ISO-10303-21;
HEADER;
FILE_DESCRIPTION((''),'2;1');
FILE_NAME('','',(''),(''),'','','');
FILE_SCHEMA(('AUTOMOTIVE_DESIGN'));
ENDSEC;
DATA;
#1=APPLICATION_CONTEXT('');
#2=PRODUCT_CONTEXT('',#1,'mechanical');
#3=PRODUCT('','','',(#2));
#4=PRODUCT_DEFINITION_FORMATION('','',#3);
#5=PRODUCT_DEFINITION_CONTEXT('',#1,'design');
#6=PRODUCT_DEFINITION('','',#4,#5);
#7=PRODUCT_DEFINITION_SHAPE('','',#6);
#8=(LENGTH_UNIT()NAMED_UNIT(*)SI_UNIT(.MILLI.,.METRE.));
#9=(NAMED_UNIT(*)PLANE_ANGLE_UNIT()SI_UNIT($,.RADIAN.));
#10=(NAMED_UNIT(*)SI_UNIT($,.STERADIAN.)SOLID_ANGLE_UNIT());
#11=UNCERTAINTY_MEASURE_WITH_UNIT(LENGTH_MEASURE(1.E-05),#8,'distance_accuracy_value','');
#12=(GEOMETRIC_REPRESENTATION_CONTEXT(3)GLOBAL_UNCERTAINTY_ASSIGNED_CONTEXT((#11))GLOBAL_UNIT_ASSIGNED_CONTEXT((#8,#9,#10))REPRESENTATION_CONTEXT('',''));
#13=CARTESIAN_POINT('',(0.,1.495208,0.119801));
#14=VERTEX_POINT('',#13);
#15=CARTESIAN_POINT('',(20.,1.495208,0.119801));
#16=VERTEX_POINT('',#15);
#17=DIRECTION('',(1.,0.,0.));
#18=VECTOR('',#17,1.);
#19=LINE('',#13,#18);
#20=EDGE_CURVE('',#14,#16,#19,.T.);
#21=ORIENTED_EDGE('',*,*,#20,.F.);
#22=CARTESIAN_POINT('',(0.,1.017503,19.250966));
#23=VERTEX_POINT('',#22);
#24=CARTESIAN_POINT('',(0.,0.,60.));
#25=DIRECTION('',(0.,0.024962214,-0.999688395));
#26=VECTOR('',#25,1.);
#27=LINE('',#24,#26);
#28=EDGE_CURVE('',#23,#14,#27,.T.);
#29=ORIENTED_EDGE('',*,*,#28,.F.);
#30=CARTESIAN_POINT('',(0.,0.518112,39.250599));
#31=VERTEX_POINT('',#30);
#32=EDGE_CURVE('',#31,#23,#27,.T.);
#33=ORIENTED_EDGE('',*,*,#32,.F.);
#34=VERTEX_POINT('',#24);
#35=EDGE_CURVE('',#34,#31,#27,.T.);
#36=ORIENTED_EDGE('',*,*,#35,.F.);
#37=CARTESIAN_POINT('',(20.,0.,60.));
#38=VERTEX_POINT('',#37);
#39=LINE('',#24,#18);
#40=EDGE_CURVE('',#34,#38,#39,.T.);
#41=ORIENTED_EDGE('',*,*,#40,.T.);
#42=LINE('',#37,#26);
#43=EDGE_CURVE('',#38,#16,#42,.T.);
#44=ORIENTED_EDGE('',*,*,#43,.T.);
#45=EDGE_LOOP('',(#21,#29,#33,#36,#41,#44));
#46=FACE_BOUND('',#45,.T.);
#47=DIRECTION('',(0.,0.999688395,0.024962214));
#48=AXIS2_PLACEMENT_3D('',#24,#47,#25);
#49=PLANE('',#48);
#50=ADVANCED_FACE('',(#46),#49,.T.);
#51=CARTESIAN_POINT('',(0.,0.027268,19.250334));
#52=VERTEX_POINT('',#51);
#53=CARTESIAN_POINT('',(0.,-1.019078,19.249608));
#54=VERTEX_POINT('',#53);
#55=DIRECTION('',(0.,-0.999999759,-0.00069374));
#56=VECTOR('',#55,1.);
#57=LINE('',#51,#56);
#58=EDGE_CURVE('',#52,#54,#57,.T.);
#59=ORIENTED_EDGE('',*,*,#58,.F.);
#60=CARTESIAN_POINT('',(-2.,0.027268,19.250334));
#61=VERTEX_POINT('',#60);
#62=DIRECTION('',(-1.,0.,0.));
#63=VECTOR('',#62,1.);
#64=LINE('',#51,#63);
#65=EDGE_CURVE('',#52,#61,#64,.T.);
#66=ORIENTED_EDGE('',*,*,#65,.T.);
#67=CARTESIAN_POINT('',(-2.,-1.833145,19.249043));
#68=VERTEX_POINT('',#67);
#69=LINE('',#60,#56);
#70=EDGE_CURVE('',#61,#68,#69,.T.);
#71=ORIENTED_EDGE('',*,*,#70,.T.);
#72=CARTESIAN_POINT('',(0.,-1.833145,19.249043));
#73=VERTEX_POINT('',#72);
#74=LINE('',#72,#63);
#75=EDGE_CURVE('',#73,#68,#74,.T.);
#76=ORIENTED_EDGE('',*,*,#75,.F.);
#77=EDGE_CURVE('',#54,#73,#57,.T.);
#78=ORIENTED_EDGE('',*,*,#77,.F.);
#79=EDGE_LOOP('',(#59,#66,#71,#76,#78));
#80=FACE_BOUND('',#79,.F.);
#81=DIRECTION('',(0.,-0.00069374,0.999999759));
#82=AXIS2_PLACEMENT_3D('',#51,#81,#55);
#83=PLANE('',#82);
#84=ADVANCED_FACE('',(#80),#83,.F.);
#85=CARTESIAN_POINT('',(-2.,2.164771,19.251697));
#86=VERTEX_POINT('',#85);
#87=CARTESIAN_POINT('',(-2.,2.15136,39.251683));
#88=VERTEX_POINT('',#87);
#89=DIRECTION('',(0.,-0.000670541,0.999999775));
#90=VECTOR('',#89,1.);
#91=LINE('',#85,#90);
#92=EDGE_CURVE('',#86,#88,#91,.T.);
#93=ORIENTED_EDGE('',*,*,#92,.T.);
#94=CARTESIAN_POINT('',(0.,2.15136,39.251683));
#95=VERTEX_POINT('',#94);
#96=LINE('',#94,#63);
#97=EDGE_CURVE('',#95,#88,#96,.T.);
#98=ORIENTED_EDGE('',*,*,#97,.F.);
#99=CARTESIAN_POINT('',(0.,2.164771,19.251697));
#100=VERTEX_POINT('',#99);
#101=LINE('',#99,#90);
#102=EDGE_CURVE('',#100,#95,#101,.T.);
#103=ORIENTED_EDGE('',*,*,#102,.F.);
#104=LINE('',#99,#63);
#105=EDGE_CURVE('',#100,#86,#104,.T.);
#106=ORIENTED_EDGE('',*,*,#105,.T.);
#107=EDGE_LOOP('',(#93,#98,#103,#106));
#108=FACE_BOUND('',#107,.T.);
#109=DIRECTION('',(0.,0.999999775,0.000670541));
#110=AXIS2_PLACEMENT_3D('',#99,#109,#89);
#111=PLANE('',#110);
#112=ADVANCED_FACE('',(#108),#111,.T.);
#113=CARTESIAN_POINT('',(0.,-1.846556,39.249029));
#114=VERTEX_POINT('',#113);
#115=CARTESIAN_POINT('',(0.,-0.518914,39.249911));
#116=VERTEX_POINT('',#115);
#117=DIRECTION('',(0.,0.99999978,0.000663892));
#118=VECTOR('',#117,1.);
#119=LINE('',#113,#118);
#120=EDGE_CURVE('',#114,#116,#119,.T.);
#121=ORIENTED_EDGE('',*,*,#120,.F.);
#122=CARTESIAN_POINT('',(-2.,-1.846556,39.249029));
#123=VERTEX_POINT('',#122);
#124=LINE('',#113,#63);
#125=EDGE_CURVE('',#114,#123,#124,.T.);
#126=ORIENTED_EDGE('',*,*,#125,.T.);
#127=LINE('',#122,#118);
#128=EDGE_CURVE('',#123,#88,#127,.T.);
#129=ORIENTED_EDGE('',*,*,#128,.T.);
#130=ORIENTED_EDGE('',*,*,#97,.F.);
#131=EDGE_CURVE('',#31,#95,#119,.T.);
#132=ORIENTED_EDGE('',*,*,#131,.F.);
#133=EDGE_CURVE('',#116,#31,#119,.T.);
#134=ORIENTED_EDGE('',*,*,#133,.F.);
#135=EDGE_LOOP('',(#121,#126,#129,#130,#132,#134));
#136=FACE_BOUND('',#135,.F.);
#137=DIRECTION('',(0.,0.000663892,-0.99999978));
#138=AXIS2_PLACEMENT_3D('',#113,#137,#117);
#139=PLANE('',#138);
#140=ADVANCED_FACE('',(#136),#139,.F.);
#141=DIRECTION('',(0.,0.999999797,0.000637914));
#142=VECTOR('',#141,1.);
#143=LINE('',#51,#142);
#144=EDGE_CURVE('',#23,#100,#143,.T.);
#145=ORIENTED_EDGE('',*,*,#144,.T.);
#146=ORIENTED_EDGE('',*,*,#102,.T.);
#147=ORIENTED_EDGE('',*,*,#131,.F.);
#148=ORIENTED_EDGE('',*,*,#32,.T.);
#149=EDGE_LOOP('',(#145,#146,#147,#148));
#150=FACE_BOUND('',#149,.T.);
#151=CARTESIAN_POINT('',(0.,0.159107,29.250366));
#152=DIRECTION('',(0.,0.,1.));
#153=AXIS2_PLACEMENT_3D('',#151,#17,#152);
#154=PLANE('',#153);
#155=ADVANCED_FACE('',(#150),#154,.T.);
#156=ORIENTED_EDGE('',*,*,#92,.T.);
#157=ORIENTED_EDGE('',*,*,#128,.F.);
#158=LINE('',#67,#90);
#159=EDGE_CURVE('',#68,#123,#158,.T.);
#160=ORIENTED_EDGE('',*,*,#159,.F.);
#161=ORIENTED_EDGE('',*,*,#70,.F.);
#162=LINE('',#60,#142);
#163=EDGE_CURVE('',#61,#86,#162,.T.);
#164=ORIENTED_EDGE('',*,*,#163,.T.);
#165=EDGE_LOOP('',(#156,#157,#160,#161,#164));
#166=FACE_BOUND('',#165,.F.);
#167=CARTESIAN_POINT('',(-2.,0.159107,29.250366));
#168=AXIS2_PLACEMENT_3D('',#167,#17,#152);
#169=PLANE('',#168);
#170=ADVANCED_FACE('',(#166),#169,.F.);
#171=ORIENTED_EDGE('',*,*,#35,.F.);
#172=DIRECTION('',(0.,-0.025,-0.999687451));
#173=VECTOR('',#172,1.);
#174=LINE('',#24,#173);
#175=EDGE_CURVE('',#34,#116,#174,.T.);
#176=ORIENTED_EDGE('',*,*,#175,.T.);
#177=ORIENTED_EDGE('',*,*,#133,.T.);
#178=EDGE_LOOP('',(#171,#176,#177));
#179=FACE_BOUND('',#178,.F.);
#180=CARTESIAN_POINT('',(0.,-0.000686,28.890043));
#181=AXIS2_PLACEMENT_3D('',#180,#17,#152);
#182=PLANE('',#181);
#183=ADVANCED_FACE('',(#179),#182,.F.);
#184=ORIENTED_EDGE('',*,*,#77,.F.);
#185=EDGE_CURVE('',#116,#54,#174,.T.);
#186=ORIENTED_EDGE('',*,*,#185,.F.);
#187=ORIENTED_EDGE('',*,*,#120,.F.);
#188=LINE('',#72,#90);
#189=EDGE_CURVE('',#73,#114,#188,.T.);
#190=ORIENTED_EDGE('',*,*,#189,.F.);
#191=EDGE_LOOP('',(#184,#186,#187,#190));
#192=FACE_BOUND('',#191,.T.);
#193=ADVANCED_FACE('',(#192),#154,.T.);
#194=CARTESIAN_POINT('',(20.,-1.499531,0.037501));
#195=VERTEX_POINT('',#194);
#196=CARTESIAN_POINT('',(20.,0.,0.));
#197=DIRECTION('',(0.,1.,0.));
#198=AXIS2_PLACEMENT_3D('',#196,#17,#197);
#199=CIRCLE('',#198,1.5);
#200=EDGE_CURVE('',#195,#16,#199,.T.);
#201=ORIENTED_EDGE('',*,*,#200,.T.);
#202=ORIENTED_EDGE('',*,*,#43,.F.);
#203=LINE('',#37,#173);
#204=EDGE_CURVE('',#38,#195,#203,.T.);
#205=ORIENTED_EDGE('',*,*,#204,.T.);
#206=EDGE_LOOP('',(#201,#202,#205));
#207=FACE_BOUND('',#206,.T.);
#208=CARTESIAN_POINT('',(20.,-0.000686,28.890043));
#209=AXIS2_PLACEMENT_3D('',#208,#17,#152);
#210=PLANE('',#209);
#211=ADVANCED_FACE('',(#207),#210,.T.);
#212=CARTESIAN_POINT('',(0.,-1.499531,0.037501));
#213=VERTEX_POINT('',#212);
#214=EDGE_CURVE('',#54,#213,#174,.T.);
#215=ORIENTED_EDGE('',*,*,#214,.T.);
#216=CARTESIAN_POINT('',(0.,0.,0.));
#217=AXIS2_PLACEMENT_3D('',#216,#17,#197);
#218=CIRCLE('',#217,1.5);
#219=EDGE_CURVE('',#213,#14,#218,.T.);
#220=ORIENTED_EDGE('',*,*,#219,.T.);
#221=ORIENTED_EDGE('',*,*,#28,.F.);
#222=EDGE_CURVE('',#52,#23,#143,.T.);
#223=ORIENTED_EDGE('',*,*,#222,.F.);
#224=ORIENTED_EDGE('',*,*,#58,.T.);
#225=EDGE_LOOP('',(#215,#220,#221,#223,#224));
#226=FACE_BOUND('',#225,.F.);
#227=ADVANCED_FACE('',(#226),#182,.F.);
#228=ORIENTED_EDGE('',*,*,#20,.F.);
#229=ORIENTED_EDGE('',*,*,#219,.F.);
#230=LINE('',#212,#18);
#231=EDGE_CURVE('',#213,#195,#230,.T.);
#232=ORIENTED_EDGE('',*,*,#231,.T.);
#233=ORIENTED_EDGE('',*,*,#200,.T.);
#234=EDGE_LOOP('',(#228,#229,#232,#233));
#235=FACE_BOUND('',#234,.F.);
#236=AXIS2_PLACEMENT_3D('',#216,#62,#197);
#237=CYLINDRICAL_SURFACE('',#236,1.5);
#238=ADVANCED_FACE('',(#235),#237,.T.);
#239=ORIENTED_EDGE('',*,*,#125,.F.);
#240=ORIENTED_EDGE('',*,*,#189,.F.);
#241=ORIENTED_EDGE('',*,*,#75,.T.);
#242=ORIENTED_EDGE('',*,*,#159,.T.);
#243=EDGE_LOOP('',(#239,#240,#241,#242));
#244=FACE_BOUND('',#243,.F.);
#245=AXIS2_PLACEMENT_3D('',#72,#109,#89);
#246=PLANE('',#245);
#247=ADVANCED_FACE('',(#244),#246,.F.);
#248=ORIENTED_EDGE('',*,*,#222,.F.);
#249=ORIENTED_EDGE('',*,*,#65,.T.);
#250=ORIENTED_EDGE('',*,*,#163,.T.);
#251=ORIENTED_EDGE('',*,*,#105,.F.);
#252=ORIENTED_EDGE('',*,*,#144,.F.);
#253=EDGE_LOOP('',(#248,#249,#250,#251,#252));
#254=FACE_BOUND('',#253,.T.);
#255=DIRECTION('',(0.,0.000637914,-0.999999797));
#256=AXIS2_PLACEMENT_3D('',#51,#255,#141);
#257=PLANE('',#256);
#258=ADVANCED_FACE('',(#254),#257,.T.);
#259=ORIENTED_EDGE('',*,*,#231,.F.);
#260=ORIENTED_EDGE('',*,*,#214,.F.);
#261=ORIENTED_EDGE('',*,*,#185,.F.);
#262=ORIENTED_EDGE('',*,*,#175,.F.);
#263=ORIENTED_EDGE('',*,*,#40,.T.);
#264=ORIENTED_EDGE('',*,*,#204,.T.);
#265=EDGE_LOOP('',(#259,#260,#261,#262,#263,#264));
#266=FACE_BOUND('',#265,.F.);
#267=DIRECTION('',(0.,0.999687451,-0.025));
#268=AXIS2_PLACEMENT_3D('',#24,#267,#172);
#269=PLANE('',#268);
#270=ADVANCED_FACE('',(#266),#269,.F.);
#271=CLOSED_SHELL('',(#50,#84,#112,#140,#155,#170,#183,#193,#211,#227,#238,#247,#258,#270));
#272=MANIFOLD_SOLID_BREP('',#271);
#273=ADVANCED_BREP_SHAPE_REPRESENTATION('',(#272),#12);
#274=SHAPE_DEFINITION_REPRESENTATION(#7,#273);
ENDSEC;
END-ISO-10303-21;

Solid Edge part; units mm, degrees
sketch "Sketch1" plane through (0, 0, 0) normal (1, 0, 0) x (0, 1, 0)
  line L0 (0, 60) -> (-1.4995, 0.0375)
  line L1 (0, 60) -> (1.4952, 0.1198)
  arc A0 (-1.4995, 0.0375) -> (1.4952, 0.1198) centre (0, 0) ccw
extrude "Protrusion1" add sketch "Sketch1" along normal blind 20
sketch "Sketch2" plane through (0, 0, 24) normal (-1, 0, 0) x (0, -0.025, -0.9997)
  line L0 (4.7475, -0.146) -> (4.6927, -2.2828)
  line L1 (4.6927, -2.2828) -> (-15.3007, -1.7694)
  line L2 (-15.1981, 2.2272) -> (-15.3007, -1.7694)
  line L3 (4.7953, 1.7138) -> (-15.1981, 2.2272)
  line L4 (4.7475, -0.146) -> (4.7953, 1.7138)
  dimension "D1" = 10
extrude "ExtrudedProtrusion_4" add sketch "Sketch2" along normal blind 2
